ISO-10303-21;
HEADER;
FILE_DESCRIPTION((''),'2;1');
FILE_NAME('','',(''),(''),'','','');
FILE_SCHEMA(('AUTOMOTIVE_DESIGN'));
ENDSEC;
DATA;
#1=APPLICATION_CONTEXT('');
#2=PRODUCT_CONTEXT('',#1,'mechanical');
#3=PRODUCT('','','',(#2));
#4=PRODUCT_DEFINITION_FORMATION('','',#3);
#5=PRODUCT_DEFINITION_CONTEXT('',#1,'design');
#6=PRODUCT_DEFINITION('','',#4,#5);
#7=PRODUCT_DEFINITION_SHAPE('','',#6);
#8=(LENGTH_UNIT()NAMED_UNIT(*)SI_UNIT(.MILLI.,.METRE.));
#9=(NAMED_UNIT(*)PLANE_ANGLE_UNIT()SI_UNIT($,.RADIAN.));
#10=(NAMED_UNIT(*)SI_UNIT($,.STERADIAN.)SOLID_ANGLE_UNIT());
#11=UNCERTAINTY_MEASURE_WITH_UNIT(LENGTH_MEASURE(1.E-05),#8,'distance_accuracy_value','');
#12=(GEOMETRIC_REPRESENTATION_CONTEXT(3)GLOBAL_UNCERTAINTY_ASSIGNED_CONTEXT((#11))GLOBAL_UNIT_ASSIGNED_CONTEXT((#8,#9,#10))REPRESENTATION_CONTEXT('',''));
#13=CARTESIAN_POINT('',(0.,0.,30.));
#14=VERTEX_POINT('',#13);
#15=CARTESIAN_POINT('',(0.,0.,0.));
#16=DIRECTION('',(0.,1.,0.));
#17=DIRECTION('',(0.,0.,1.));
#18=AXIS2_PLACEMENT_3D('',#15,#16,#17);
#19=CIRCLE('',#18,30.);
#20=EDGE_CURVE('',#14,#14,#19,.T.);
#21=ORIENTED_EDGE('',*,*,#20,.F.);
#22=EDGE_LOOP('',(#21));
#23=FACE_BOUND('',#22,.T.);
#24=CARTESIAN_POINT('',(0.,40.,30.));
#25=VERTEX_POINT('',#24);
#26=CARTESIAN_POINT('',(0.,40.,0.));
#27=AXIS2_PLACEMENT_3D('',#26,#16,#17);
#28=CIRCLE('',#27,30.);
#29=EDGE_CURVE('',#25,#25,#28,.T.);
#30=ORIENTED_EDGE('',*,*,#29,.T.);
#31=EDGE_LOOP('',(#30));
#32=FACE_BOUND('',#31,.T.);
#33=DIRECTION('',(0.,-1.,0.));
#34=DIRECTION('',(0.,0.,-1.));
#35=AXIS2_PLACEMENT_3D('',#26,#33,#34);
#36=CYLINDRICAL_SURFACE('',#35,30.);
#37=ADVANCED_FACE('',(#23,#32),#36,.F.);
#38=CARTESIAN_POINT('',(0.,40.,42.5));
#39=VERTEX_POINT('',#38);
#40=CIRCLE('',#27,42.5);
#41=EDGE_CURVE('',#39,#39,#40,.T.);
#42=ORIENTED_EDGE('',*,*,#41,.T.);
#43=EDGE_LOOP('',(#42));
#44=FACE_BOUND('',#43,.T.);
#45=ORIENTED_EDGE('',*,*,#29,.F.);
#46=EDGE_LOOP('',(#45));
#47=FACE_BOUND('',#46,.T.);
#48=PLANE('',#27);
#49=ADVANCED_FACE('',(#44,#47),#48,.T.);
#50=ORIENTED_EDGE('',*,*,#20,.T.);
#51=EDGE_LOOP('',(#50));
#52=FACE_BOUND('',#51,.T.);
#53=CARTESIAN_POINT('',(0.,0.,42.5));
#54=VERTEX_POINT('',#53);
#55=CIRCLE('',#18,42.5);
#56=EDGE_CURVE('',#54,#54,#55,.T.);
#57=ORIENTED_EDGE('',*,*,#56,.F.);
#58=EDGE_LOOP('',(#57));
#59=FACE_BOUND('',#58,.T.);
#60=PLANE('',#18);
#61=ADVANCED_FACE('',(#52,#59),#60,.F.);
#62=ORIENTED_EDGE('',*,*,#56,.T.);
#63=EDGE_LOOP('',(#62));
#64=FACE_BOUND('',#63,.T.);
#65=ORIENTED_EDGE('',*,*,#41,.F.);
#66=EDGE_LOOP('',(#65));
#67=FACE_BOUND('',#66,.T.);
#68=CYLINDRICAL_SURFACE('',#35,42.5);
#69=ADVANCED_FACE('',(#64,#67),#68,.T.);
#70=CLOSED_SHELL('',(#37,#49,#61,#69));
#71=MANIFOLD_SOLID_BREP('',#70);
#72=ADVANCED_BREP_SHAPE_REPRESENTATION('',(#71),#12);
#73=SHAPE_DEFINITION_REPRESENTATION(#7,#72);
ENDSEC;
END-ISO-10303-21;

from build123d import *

# Parameters (mm, degrees)
SKETCH1_R           = 42.5
SKETCH1_R_2         = 30
BOSS_EXTRUDE1_DEPTH = 40


with BuildPart() as part:
    # Sketch1 → Boss-Extrude1 (new body)
    with BuildSketch(Plane(origin=(0, 0, 0), x_dir=(1, 0, 0), z_dir=(0, 1, 0))):
        Circle(SKETCH1_R)
        Circle(SKETCH1_R_2, mode=Mode.SUBTRACT)
    extrude(amount=BOSS_EXTRUDE1_DEPTH)


solid = part.part
